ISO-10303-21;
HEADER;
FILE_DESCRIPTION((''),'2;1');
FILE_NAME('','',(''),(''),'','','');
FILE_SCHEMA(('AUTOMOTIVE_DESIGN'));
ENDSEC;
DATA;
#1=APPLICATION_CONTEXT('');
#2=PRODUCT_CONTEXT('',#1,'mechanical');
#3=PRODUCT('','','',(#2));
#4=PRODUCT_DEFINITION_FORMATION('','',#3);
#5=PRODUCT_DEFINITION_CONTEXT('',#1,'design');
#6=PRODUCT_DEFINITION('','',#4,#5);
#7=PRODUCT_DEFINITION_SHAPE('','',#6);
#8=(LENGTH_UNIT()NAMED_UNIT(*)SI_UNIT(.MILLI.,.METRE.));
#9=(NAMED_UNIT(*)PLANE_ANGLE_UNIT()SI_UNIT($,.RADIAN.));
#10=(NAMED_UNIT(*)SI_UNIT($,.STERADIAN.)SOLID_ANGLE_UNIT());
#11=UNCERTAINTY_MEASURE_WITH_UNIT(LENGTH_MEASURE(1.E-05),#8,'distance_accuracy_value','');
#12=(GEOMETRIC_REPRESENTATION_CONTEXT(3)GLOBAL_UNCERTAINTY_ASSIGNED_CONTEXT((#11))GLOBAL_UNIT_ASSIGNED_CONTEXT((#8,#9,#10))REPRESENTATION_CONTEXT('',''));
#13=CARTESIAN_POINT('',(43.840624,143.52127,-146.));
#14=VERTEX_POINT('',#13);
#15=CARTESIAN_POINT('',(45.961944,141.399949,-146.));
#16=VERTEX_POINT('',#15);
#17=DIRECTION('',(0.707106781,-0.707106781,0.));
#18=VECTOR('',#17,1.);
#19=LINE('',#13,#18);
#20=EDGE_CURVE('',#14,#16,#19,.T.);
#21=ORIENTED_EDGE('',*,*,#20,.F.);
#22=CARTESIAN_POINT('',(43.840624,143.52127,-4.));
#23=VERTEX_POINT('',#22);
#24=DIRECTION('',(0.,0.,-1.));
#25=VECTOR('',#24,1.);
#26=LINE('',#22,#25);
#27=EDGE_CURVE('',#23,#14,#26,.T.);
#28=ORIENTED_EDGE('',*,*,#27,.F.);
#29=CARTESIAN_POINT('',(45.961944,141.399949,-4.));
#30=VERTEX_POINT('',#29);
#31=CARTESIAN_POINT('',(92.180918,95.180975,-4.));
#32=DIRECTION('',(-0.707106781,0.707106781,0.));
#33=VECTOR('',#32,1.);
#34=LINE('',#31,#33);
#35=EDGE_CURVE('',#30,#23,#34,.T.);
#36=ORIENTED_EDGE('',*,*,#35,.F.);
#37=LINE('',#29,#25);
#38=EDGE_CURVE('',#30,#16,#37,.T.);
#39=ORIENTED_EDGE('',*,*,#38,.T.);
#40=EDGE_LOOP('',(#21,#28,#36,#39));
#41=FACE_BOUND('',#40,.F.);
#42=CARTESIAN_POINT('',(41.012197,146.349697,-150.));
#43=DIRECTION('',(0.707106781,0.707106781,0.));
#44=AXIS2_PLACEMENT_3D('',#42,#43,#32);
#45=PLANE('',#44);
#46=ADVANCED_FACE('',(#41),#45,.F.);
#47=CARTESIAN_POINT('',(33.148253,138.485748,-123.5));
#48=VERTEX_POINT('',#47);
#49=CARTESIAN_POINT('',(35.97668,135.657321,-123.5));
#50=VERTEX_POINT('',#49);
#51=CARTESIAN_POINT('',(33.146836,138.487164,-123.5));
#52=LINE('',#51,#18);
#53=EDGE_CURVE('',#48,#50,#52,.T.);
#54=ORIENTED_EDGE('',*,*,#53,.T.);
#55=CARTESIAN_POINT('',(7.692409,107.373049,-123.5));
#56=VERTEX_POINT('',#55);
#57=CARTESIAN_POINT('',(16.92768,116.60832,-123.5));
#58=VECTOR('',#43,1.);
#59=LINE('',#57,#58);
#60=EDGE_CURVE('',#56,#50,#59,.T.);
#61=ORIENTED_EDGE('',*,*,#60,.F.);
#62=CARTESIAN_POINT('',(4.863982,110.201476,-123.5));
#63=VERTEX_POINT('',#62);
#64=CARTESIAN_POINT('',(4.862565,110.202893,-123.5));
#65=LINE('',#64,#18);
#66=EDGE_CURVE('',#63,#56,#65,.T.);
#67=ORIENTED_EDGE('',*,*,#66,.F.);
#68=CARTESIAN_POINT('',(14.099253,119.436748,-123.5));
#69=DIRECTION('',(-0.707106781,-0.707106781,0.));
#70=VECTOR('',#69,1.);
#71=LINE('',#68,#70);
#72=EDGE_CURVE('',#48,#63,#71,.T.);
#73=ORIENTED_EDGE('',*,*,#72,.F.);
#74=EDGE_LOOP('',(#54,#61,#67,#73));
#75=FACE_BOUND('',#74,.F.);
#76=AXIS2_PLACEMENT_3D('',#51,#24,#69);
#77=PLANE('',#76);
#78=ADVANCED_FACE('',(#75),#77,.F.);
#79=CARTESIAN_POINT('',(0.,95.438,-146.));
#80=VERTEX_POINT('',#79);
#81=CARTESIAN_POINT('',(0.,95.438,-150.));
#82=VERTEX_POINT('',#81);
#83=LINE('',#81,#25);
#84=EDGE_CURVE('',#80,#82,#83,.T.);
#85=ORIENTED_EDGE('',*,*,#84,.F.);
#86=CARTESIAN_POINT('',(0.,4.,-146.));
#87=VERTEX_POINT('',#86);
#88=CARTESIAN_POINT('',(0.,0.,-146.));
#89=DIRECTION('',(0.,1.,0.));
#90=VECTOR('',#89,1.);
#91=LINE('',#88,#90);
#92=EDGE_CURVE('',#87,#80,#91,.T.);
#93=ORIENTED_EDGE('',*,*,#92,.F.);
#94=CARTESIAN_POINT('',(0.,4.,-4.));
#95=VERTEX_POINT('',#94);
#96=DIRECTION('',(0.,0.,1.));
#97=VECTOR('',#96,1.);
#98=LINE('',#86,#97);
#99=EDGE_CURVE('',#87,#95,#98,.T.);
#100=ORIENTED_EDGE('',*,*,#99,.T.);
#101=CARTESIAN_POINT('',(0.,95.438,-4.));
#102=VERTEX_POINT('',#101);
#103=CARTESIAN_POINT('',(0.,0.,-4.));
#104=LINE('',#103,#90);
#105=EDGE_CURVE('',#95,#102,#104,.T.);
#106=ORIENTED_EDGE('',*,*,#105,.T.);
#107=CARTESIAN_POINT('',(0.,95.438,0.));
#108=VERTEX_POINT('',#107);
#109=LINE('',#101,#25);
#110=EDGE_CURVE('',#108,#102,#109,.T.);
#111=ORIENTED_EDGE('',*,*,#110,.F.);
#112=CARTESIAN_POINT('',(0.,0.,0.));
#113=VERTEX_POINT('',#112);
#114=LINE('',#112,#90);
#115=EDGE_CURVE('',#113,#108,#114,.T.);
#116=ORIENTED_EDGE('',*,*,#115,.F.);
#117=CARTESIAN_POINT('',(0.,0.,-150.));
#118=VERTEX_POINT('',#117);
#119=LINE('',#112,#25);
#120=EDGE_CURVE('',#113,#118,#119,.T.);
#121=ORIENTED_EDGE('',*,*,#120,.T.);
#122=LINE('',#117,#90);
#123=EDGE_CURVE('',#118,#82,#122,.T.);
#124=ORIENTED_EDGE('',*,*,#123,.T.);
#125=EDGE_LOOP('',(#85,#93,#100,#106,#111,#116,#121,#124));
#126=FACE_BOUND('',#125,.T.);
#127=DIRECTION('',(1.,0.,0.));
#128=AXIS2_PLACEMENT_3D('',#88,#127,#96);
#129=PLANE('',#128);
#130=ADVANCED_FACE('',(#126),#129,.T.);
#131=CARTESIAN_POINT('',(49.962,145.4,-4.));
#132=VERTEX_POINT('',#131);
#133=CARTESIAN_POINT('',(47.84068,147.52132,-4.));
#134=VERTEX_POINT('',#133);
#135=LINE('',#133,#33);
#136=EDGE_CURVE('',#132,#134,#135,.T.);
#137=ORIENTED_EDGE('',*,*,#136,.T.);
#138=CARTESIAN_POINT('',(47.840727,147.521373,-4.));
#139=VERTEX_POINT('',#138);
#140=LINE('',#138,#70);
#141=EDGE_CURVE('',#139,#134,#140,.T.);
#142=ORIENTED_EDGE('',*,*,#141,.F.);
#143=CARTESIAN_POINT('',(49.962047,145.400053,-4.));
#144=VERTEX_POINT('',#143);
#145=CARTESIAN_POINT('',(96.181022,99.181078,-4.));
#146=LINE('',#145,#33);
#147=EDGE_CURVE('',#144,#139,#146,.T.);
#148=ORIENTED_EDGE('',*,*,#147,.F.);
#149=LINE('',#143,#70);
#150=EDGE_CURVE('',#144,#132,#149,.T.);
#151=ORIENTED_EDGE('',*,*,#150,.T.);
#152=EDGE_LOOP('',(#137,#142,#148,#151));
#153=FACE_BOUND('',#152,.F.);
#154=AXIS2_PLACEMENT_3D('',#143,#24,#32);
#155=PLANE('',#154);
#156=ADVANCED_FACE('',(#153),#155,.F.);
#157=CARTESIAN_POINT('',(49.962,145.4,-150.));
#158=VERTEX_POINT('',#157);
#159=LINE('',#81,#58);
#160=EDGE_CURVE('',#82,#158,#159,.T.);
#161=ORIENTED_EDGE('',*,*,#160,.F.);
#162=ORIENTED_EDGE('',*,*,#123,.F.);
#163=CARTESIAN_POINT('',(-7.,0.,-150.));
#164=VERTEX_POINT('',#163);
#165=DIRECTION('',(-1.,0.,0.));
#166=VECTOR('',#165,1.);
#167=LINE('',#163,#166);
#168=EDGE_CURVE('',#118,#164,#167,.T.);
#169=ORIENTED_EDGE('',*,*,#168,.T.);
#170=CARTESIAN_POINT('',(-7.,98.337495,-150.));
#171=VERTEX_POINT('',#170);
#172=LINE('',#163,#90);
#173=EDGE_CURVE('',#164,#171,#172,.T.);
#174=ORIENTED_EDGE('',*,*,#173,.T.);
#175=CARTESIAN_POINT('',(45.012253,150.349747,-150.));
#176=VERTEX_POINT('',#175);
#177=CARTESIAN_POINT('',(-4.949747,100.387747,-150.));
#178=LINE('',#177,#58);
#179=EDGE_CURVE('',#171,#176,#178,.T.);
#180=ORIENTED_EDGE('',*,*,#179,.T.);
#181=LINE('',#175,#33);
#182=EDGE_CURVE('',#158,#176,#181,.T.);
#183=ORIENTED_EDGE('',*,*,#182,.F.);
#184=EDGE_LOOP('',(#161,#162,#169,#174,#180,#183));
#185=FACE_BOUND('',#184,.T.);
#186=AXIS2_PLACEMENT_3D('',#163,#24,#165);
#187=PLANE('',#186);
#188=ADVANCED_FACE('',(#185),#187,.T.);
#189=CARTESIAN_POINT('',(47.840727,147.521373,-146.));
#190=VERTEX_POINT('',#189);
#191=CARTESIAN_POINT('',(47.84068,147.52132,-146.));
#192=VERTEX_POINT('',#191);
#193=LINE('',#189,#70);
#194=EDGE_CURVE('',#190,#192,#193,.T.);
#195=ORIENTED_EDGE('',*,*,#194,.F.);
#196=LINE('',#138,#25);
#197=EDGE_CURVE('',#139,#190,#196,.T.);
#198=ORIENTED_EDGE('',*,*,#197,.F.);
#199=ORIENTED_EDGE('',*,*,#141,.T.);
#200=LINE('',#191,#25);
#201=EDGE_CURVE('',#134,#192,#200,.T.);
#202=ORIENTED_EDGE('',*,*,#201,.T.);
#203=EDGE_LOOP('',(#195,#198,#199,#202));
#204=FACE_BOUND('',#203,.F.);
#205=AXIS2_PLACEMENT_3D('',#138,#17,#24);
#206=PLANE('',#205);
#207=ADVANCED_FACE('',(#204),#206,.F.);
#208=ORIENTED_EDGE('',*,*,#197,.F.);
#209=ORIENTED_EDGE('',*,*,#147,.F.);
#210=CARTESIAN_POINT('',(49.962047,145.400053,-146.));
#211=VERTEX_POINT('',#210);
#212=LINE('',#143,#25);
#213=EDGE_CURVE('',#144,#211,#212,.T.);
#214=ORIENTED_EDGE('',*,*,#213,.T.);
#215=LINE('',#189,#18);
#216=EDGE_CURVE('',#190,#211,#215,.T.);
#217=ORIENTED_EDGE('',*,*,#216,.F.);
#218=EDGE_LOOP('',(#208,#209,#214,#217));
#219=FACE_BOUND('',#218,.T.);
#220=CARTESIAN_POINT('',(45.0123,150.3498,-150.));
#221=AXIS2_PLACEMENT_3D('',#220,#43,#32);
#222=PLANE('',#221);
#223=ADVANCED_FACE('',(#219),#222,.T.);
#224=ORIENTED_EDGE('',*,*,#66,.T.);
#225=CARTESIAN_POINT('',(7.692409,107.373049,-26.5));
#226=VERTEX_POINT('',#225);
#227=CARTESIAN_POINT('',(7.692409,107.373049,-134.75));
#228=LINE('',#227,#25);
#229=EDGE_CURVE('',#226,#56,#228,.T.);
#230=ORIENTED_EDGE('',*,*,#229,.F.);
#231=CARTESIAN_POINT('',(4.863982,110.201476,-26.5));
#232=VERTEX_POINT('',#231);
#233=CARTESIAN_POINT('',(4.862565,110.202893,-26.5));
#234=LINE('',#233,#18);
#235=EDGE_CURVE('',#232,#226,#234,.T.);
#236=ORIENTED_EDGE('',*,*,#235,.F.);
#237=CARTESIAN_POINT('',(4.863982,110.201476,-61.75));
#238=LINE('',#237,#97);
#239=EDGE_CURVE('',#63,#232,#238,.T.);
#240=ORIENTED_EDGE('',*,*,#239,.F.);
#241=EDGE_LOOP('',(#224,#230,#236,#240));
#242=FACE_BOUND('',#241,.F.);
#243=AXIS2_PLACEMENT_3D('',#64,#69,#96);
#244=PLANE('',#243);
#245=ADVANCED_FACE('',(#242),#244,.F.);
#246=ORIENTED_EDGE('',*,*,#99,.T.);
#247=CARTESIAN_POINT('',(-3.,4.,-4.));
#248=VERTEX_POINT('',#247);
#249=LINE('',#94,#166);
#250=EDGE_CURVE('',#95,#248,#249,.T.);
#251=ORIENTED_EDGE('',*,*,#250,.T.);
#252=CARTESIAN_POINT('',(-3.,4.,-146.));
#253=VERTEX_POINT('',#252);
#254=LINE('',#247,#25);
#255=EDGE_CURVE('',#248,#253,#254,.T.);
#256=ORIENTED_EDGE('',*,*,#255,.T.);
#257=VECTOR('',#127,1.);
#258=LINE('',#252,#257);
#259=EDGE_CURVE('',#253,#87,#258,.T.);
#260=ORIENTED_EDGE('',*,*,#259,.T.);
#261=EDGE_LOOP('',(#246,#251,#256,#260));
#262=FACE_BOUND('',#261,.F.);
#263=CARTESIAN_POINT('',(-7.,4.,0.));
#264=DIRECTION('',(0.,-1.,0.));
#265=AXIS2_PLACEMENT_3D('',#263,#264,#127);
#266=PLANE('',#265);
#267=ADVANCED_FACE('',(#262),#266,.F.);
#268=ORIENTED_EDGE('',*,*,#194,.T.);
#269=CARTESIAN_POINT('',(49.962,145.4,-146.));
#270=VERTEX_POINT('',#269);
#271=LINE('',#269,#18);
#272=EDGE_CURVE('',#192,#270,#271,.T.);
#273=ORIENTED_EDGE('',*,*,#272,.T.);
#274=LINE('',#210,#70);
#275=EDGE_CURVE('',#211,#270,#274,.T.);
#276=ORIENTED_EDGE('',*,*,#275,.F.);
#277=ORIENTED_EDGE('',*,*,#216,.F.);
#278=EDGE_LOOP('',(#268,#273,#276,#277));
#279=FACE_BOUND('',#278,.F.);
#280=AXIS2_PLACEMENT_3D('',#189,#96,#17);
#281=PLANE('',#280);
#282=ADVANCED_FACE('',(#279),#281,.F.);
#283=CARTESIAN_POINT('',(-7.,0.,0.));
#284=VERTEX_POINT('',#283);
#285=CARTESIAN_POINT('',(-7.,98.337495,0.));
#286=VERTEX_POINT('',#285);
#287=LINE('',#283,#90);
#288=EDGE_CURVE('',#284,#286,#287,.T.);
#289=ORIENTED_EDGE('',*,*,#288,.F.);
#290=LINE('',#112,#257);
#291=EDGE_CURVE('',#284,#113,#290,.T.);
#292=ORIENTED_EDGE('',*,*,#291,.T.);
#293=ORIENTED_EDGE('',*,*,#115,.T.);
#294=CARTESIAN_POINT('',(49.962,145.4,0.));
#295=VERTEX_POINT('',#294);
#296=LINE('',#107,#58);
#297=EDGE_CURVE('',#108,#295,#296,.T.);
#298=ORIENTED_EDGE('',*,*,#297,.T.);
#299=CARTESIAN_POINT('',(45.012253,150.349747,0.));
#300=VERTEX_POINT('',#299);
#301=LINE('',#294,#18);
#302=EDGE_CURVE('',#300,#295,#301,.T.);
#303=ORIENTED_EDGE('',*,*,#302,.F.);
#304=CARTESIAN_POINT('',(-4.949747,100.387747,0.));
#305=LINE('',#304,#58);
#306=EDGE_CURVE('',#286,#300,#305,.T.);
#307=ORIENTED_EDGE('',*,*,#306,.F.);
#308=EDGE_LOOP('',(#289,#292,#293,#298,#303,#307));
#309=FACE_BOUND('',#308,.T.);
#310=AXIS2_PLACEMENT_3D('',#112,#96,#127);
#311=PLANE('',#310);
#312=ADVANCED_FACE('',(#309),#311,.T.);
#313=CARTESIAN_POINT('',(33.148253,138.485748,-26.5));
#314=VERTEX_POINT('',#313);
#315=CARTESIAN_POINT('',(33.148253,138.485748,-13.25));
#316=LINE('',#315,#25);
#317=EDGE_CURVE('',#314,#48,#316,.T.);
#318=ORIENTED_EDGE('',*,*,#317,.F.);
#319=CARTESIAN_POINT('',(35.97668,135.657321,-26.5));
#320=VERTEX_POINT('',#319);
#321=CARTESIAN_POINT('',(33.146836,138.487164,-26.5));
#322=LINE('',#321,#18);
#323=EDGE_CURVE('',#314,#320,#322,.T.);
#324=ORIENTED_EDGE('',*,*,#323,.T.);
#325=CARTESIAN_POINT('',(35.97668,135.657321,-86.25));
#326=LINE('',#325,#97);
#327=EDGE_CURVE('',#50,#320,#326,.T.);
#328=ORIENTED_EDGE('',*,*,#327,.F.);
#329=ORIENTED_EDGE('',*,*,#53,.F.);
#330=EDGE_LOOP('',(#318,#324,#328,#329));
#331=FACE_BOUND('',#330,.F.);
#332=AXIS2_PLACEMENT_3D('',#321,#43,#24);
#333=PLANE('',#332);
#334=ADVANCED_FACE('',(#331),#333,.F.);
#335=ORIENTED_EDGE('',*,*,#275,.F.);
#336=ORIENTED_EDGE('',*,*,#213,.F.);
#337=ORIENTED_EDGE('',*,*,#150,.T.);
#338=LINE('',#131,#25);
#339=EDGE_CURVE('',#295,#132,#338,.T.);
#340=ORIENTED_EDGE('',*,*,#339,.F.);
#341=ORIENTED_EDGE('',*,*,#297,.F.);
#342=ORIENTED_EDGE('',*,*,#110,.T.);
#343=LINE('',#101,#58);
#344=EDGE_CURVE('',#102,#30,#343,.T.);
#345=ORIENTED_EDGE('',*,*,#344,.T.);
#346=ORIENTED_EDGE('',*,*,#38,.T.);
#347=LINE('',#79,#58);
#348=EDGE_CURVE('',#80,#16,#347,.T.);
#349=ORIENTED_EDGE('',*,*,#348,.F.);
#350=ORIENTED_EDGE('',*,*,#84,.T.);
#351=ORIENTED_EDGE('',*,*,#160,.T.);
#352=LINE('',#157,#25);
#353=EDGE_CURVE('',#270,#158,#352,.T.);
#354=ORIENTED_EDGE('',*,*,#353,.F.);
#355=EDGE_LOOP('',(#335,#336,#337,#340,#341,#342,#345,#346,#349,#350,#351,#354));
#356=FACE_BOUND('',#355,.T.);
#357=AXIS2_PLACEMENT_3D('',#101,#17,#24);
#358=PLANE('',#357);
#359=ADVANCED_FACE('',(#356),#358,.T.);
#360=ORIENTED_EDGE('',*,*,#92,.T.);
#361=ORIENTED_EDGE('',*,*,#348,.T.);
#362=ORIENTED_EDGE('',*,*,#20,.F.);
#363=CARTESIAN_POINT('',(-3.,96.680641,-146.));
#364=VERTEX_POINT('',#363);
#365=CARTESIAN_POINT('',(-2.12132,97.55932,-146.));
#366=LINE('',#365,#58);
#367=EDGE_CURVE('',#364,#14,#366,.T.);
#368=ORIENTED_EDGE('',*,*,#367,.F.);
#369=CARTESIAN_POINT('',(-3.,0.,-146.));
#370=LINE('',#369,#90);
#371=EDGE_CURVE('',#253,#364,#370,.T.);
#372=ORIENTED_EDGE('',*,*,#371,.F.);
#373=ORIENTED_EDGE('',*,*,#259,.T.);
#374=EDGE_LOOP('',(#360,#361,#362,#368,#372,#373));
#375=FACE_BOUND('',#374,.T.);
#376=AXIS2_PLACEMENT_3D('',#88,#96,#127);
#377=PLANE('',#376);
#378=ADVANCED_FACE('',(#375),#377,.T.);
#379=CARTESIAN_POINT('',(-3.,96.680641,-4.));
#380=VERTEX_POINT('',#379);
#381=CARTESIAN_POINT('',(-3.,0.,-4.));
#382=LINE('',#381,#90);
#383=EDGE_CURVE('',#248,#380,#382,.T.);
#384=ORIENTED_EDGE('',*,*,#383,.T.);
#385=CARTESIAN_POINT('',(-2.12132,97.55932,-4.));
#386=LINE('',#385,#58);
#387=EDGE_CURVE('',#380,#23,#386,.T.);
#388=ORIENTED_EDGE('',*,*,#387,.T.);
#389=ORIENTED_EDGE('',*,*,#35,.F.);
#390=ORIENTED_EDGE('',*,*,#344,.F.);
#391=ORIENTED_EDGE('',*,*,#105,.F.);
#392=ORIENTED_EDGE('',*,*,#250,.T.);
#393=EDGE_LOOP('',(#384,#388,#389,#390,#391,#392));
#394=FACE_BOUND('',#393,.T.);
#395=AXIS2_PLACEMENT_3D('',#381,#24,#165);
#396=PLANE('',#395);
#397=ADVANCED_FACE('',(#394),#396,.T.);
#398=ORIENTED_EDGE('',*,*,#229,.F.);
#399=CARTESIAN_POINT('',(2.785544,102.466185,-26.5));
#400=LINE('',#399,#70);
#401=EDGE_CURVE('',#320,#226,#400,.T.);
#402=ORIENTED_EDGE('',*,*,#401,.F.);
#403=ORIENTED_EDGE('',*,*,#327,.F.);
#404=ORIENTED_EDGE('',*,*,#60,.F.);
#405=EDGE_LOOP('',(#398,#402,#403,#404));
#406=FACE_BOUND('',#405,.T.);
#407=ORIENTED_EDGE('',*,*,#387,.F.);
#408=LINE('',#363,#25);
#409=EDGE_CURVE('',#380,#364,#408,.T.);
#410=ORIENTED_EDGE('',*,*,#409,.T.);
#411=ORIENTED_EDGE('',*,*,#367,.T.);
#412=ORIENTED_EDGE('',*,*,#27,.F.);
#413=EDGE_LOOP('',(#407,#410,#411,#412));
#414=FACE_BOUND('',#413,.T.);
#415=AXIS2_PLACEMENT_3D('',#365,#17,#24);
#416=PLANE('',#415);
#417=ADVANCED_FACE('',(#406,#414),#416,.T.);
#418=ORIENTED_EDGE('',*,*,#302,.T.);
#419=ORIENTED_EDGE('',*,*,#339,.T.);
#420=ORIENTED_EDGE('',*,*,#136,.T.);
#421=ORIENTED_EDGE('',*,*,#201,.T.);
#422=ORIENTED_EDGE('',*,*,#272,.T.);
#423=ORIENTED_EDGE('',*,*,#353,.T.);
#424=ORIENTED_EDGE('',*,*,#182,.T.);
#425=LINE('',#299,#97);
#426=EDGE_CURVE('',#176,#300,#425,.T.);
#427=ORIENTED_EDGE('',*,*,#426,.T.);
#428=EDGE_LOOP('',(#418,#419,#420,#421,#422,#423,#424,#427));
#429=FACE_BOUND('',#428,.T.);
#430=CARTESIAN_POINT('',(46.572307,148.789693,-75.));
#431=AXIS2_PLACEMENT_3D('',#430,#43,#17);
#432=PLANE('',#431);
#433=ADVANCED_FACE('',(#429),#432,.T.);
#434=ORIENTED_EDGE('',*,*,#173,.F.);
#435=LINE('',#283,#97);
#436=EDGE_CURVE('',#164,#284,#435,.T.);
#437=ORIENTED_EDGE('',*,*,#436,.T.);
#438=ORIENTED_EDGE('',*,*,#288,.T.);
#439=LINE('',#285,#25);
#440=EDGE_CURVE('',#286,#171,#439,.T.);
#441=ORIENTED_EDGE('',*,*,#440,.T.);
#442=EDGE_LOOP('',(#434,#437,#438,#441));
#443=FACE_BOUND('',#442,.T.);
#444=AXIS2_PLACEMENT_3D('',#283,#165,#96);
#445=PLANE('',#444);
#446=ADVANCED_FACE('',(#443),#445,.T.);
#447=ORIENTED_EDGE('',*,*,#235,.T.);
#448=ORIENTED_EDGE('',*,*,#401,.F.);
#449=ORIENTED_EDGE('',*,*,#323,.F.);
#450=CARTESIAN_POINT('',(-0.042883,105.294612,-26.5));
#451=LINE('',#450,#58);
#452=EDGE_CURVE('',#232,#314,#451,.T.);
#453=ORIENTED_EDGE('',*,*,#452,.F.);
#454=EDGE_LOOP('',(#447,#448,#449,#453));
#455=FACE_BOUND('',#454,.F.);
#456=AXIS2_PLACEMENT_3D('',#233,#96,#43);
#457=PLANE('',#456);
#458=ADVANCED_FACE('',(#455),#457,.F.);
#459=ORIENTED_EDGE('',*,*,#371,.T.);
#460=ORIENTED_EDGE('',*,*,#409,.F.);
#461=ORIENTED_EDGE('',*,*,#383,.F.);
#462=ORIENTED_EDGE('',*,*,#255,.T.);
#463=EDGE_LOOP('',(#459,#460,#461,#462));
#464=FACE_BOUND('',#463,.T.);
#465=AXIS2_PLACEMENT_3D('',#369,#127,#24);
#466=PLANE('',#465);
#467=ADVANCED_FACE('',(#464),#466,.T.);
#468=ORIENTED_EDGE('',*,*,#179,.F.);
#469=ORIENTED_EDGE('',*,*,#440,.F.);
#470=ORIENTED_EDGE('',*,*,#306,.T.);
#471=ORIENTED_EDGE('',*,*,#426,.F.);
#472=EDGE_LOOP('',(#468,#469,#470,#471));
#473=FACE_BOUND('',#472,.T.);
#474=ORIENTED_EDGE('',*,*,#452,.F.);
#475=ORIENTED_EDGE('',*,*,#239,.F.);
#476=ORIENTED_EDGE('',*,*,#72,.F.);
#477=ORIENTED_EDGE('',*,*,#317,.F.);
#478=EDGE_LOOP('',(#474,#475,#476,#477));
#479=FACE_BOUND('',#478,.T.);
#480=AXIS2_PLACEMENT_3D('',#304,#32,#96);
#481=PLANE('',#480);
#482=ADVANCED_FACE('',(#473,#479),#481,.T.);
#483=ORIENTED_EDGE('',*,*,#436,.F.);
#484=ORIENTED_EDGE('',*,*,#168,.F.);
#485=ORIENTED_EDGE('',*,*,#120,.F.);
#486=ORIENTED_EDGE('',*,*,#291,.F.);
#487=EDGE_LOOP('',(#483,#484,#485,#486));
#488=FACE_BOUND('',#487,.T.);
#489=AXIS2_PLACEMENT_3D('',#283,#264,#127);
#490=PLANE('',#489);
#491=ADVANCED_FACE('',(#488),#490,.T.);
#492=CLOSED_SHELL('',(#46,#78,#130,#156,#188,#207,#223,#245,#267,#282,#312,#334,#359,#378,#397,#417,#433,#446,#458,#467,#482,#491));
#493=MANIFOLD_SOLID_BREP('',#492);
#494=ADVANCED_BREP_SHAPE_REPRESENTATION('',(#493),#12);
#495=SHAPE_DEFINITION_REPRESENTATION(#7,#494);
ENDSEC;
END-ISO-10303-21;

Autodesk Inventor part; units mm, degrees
ref_plane "YZ Plane" through (0, 0, 0) normal (1, 0, 0) x (0, 1, 0)
ref_plane "XZ Plane" through (0, 0, 0) normal (0, 1, 0) x (-1, 0, 0)
ref_plane "XY Plane" through (0, 0, 0) normal (0, 0, 1) x (1, 0, 0)
sketch "Sketch1" plane through (0, 0, 0) normal (0, 1, 0) x (-1, 0, 0)
  line L0 (0, 0) -> (7, 0)
  line L1 (7, 0) -> (7, -150)
  line L2 (7, -150) -> (0, -150)
  line L3 (0, -150) -> (0, -146)
  line L4 (0, -146) -> (3, -146)
  line L5 (3, -146) -> (3, -4)
  line L6 (3, -4) -> (0, -4)
  line L7 (0, -4) -> (0, 0)
  dimension "d4" = 7
  dimension "d5" = 3
  dimension "d6" = 4
  dimension "d7" = 150
sketch "Sketch2" plane through (0, 0, 0) normal (0, 0, 1) x (1, 0, 0)
  line L0 (0, 0) -> (0, 95.438)
  line L1 (0, 95.438) -> (49.962, 145.4)
  dimension "d8" = 135
  dimension "d9" = 95.438
  dimension "d10" = 70.657
sweep "Sweep1" add profiles "Sketch1" path "Sketch2"
sketch "Sketch3" plane through (45.0123, 150.3498, -150) normal (0.7071, 0.7071, 0) x (-0.7071, 0.7071, 0)
  line L0 (-7, 150) -> (-7, 146) projected
  line L1 (-74.4849, 4) -> (-7, 4) projected
  line L2 (-7, 146) -> (-7, 4)
  line L3 (-72.3635, 146) -> (-4, 146) projected
  line L4 (-7, 146) -> (-4, 146)
  line L5 (-4, 4) -> (-7, 4) projected
  line L6 (-4, 146) -> (-4, 4)
  line L7 (-4, 4) -> (-7, 4)
  point P0 (-74.4849, 150)
extrude "Extrusion1" add sketch "Sketch3" against normal blind 5.657
sketch "Sketch5" plane through (-7, 0, 0) normal (0, -1, 0) x (1, 0, 0)
  line L0 (4, -4) -> (4, -146) projected
  line L1 (7, -4) -> (4, -4) projected
  line L2 (4, -146) -> (7, -146) projected
  line L3 (7, -146) -> (7, -4)
  line L4 (7, -146) -> (7, -150) projected
  point P0 (7, 0)
extrude "Extrusion2" add sketch "Sketch5" against normal blind 4
sketch "Sketch6" plane through (-7, 98.3375, -150) normal (-0.7071, 0.7071, 0) x (-0.7071, -0.7071, 0)
  line L0 (-16.7782, 123.5) -> (-56.7782, 123.5)
  line L1 (-56.7782, 123.5) -> (-56.7782, 26.5)
  line L2 (-56.7782, 26.5) -> (-16.7782, 26.5)
  line L3 (-16.7782, 26.5) -> (-16.7782, 123.5)
  line L4 (0, 0) -> (0, 150) projected
  line L5 (0, 0) -> (-73.5565, 0) projected
  point P0 (64.5854, 150)
  point P1 (-16.7782, 75)
  point P2 (0, 75)
  point P3 (-36.7782, 26.5)
  point P4 (-36.7782, 0)
  dimension "d17" = 97
  dimension "d18" = 40
extrude "Extrusion3" cut sketch "Sketch6" against normal blind 4
properties part number "lid"
